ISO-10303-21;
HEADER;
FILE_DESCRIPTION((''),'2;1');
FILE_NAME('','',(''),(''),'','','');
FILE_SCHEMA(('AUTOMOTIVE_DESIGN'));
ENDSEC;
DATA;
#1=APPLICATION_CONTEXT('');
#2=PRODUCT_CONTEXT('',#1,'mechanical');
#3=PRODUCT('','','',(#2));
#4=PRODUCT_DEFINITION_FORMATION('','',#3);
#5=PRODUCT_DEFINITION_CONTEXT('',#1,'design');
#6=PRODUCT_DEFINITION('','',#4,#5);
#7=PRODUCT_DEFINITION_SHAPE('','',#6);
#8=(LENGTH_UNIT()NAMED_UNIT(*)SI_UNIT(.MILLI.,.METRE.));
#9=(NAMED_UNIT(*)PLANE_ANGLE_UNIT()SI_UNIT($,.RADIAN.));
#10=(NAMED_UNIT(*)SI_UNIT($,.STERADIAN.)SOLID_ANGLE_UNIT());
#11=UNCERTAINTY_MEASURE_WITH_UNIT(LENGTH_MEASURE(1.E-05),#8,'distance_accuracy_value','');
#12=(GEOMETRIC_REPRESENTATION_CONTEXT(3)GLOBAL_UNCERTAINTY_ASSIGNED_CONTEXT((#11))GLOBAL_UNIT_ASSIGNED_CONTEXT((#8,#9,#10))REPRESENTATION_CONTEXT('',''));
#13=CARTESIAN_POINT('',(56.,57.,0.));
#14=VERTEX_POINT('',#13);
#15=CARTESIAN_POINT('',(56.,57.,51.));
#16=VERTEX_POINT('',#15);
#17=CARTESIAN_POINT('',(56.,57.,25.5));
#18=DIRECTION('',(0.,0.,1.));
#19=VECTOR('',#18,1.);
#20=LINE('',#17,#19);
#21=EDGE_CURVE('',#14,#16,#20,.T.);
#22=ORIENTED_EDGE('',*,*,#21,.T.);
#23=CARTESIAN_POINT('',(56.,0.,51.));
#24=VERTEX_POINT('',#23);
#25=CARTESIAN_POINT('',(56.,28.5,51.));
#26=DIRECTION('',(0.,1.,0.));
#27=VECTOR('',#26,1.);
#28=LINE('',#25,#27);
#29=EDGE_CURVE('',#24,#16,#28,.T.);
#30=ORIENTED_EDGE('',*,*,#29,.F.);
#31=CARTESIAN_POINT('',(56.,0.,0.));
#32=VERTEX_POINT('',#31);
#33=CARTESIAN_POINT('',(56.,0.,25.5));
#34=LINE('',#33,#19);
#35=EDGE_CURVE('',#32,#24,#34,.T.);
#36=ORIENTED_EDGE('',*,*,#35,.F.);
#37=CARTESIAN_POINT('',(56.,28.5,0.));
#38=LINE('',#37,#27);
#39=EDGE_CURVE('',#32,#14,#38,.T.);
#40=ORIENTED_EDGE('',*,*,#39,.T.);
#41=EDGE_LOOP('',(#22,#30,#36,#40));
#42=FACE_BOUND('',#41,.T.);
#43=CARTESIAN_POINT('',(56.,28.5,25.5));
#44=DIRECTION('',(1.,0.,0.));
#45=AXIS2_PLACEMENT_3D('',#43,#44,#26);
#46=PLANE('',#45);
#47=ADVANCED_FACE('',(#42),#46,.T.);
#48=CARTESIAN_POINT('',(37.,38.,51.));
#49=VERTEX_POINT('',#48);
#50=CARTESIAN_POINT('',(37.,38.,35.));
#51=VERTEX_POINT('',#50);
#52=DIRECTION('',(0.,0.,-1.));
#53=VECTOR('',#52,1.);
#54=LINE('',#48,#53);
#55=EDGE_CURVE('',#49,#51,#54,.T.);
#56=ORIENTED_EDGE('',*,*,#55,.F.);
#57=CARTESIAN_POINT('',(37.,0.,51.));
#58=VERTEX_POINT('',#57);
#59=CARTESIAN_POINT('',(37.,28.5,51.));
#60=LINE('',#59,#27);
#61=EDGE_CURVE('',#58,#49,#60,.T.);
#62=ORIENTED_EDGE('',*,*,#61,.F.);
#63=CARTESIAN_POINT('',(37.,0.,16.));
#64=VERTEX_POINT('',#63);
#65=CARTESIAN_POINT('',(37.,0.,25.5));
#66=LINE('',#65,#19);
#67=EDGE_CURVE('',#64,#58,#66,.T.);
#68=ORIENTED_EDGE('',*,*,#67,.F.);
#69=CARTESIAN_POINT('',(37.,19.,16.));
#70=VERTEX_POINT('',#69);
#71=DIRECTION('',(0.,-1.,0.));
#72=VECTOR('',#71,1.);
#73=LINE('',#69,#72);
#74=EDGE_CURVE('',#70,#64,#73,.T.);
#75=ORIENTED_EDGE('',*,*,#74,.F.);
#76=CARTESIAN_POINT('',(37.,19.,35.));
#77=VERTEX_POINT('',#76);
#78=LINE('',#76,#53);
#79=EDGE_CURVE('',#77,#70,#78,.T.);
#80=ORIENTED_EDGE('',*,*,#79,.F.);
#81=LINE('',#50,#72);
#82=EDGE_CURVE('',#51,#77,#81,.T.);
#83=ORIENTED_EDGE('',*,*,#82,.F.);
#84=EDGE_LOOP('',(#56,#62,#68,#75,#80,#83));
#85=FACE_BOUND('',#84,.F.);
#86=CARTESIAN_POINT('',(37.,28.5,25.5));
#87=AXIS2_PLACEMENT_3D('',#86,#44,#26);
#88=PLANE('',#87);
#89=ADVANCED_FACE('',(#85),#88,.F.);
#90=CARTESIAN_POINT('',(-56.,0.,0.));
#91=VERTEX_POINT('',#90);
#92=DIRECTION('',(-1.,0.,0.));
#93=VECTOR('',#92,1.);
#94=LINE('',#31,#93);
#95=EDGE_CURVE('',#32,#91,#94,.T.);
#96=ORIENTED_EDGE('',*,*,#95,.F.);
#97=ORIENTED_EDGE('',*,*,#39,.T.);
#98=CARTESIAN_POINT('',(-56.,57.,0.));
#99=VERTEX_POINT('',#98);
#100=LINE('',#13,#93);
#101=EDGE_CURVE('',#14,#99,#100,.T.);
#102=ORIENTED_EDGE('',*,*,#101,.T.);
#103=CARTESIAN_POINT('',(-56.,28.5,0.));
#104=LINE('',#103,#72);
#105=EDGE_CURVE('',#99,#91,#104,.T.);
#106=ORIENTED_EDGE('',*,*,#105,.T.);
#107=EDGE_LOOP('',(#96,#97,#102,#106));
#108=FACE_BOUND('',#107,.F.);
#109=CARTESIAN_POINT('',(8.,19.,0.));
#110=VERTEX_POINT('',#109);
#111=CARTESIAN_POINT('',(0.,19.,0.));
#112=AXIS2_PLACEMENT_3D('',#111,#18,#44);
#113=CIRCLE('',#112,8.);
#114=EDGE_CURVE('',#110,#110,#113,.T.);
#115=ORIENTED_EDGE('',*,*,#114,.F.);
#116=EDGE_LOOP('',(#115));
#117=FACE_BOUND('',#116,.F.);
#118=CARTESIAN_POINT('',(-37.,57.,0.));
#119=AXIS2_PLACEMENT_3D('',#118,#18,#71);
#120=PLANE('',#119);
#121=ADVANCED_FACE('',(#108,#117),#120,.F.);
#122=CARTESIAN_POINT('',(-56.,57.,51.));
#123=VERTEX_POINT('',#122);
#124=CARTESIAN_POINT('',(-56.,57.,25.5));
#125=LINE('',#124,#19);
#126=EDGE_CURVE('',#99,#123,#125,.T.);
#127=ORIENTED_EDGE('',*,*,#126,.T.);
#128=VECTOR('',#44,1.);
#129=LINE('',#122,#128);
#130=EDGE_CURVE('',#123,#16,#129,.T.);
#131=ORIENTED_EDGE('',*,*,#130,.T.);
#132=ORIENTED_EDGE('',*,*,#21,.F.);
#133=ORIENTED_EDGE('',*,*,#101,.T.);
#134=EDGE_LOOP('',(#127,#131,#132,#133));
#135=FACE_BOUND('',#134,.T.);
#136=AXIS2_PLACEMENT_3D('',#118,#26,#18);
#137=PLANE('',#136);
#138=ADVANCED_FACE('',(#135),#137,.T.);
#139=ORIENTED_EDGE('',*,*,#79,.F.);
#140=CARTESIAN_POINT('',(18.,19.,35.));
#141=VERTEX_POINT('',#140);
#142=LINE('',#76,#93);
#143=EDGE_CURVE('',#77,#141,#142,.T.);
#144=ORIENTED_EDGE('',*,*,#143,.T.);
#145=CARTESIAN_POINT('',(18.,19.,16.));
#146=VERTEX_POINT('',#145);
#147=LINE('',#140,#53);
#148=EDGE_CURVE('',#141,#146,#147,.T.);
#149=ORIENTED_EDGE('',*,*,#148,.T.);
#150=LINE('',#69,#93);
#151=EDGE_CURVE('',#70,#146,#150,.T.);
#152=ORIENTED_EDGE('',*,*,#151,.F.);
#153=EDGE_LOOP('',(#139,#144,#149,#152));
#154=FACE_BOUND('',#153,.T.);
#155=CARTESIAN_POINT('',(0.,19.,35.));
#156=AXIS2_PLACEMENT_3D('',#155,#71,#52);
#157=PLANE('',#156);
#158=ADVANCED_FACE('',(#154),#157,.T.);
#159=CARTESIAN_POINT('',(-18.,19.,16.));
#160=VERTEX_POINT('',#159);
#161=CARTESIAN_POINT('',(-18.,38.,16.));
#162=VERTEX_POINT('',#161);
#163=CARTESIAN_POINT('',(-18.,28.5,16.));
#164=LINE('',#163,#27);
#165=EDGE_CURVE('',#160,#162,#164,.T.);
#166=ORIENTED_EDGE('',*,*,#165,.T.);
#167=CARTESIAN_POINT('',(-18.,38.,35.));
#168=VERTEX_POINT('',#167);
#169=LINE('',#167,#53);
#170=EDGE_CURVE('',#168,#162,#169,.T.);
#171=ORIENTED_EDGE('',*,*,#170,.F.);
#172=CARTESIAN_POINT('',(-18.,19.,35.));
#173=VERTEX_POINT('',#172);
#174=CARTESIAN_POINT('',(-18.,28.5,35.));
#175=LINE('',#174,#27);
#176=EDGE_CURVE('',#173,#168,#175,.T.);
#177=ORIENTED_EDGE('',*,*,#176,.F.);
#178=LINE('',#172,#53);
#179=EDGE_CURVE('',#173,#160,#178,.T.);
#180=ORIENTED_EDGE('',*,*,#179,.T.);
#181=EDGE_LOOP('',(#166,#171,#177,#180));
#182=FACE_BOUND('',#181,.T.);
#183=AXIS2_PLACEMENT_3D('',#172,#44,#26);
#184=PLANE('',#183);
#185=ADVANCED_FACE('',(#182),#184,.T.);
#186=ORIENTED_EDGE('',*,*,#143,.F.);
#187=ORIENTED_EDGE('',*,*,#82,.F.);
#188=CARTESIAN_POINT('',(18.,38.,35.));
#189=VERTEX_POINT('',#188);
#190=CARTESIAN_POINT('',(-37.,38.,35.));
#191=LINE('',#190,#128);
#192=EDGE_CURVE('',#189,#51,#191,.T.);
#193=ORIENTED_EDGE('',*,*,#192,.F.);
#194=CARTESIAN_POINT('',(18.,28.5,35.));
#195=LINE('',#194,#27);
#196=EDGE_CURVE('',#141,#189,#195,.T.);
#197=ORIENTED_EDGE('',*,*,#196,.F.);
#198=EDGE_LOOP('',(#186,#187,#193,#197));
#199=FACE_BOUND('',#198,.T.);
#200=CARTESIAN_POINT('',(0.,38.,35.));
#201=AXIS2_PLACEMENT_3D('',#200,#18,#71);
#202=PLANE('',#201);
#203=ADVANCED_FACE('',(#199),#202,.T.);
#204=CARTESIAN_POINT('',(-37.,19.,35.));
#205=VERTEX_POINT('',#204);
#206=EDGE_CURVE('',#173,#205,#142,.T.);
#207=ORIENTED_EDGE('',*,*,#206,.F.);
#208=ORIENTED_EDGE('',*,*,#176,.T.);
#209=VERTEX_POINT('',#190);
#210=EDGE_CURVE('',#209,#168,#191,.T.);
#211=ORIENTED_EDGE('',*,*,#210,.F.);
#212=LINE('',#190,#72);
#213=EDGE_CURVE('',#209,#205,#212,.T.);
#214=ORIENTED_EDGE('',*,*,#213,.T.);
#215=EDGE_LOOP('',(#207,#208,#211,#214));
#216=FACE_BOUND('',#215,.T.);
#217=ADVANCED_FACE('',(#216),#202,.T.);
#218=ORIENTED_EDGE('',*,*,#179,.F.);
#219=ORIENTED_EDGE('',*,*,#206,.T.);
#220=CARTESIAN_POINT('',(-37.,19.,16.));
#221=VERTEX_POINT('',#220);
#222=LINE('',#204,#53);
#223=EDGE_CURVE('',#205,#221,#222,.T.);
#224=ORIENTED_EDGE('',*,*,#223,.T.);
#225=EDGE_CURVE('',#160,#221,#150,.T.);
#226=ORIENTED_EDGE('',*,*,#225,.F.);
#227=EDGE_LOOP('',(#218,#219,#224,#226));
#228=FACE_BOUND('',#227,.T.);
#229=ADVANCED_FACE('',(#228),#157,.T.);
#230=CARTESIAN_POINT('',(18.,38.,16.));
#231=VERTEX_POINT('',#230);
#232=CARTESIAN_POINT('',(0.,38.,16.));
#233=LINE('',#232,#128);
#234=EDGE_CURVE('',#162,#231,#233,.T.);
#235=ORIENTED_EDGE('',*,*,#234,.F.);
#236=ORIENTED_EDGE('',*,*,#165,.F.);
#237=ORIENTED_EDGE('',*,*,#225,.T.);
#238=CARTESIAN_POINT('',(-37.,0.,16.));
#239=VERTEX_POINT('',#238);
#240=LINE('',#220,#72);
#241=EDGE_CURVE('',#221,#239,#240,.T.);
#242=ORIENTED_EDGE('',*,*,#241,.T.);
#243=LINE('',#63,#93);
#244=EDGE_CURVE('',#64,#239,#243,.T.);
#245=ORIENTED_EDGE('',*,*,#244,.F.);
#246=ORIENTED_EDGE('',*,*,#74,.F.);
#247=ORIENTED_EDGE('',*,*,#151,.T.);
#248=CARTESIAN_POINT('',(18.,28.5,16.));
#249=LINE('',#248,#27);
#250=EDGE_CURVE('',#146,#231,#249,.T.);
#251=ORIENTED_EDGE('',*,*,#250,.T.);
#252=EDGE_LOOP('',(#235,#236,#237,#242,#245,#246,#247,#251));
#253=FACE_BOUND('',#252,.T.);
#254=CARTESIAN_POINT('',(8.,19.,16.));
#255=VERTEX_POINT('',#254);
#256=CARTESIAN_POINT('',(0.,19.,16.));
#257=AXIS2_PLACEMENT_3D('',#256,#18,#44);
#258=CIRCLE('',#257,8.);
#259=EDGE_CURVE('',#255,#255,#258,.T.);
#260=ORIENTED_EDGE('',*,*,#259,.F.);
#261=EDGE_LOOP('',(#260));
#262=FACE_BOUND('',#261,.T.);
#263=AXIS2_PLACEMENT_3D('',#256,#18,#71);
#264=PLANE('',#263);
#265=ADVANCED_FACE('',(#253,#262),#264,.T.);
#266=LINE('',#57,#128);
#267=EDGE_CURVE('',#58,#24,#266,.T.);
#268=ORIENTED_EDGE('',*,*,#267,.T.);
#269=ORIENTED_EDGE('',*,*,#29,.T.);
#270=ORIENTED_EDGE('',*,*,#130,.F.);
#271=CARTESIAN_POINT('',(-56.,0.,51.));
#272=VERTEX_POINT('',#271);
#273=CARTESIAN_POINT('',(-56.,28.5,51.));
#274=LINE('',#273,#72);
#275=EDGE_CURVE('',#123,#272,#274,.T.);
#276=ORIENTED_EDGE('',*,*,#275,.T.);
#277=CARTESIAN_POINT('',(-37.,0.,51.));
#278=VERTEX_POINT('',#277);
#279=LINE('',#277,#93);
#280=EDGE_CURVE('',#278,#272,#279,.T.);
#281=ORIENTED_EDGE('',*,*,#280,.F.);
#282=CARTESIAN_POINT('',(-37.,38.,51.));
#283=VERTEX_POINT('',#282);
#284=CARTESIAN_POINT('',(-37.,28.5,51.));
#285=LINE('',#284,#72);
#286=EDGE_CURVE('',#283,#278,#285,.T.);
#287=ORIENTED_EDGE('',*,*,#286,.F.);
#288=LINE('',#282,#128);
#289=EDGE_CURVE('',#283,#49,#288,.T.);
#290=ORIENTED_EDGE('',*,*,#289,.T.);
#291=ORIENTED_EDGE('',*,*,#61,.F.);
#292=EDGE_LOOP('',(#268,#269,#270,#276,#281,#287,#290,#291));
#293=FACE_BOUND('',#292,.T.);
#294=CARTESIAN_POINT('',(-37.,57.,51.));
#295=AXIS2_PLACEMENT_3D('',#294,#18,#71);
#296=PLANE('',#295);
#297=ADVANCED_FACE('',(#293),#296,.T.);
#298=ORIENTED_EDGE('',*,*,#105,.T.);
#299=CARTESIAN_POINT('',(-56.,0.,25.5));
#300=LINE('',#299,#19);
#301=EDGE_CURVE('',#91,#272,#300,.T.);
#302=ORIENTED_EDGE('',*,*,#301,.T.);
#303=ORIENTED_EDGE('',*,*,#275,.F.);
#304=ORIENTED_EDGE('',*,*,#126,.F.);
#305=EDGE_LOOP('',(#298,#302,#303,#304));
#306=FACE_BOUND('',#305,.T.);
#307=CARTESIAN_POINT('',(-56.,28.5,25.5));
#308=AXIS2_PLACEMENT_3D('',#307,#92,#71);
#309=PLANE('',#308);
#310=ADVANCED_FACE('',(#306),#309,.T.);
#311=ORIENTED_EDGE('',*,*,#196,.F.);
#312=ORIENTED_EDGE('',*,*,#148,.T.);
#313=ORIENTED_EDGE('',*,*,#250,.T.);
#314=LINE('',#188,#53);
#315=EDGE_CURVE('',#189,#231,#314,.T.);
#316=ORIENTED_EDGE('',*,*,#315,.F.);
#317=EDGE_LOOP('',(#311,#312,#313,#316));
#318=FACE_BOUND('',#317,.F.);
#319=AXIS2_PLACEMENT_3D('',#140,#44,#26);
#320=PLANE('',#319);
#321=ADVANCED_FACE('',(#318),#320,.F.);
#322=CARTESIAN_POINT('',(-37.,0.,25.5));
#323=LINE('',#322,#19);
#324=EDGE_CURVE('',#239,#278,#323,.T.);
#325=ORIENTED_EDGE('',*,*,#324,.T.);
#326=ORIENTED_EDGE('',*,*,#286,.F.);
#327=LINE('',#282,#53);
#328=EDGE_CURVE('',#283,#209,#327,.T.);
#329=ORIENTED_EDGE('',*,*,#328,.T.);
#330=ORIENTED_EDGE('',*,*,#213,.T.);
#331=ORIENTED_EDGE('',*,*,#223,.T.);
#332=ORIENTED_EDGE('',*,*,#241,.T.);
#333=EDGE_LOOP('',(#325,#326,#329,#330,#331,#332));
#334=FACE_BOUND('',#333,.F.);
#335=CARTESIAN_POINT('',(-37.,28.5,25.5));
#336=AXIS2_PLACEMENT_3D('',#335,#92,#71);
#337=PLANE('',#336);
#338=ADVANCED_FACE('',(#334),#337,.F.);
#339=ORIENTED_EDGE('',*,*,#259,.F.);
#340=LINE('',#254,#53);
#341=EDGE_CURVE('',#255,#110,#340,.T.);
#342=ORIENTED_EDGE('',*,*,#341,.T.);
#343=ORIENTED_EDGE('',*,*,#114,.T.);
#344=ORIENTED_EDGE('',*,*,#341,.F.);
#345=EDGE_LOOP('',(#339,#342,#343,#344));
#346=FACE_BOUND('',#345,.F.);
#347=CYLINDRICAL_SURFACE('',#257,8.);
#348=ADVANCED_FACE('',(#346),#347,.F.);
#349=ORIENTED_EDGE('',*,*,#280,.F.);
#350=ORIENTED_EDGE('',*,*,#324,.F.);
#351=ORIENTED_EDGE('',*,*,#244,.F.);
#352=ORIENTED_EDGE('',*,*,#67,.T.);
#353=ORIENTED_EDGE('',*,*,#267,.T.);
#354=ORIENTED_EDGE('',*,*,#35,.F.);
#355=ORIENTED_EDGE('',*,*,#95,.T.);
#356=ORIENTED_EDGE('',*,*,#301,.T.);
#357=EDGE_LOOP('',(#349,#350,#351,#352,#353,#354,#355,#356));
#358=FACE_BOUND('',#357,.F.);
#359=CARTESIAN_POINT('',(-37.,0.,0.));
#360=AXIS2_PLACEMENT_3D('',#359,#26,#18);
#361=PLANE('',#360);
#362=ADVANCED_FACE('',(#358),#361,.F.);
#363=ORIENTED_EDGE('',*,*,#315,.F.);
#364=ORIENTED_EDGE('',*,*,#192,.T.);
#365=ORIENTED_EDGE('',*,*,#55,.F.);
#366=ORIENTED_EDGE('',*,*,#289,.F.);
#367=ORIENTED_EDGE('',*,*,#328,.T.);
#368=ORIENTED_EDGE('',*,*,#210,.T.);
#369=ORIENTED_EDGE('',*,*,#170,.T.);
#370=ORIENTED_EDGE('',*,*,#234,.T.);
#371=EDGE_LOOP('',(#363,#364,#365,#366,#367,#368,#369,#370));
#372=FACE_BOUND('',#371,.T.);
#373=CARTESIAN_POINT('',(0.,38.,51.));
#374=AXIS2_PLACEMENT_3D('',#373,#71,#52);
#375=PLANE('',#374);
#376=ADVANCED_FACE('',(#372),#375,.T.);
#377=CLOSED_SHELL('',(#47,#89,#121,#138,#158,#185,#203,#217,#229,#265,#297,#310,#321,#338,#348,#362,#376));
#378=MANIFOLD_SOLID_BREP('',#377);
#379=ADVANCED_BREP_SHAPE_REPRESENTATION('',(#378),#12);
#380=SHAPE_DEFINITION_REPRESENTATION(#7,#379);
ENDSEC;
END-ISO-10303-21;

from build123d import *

# Parameters (mm, degrees)
F1_DEPTH = 37
F2_W     = 36
F2_H     = 19
F3_DEPTH = 19
F4_W     = 57
F4_H     = 51
F5_DEPTH = 19
F6_W     = 57
F6_H     = 51
F7_DEPTH = 19
F8_R     = 8
F9_DEPTH = 51


with BuildPart() as f1:
    # F0 (on Right) → F1 (new body, symmetric)
    with BuildSketch(Plane.YZ):
        Polygon((0, 16), (0, 0), (57, 0), (57, 51), (38, 51), (38, 35), (19, 35), (19, 16), align=None)
    extrude(amount=F1_DEPTH, both=True)

    # F2 (on face) → F3 (cut)
    with BuildSketch(Plane.XY.offset(35)):
        with Locations((0, 28.5)):
            Rectangle(F2_W, F2_H)
    extrude(amount=-F3_DEPTH, mode=Mode.SUBTRACT)

    # F4 (on face) → F5 (join)
    with BuildSketch(Plane.YZ.offset(37)):
        with Locations((28.5, 25.5)):
            Rectangle(F4_W, F4_H)
    extrude(amount=F5_DEPTH)

    # F6 (on face) → F7 (join)
    with BuildSketch(Plane(origin=(-37, 0, 0), x_dir=(0, -1, 0), z_dir=(-1, 0, 0))):
        with Locations((-28.5, 25.5)):
            Rectangle(F6_W, F6_H)
    extrude(amount=F7_DEPTH)

    # F8 (on face) → F9 (cut)
    with BuildSketch(Plane.XY.offset(16)):
        with Locations((0, 19)):
            Circle(F8_R)
    extrude(amount=-F9_DEPTH, mode=Mode.SUBTRACT)


solid = f1.part
